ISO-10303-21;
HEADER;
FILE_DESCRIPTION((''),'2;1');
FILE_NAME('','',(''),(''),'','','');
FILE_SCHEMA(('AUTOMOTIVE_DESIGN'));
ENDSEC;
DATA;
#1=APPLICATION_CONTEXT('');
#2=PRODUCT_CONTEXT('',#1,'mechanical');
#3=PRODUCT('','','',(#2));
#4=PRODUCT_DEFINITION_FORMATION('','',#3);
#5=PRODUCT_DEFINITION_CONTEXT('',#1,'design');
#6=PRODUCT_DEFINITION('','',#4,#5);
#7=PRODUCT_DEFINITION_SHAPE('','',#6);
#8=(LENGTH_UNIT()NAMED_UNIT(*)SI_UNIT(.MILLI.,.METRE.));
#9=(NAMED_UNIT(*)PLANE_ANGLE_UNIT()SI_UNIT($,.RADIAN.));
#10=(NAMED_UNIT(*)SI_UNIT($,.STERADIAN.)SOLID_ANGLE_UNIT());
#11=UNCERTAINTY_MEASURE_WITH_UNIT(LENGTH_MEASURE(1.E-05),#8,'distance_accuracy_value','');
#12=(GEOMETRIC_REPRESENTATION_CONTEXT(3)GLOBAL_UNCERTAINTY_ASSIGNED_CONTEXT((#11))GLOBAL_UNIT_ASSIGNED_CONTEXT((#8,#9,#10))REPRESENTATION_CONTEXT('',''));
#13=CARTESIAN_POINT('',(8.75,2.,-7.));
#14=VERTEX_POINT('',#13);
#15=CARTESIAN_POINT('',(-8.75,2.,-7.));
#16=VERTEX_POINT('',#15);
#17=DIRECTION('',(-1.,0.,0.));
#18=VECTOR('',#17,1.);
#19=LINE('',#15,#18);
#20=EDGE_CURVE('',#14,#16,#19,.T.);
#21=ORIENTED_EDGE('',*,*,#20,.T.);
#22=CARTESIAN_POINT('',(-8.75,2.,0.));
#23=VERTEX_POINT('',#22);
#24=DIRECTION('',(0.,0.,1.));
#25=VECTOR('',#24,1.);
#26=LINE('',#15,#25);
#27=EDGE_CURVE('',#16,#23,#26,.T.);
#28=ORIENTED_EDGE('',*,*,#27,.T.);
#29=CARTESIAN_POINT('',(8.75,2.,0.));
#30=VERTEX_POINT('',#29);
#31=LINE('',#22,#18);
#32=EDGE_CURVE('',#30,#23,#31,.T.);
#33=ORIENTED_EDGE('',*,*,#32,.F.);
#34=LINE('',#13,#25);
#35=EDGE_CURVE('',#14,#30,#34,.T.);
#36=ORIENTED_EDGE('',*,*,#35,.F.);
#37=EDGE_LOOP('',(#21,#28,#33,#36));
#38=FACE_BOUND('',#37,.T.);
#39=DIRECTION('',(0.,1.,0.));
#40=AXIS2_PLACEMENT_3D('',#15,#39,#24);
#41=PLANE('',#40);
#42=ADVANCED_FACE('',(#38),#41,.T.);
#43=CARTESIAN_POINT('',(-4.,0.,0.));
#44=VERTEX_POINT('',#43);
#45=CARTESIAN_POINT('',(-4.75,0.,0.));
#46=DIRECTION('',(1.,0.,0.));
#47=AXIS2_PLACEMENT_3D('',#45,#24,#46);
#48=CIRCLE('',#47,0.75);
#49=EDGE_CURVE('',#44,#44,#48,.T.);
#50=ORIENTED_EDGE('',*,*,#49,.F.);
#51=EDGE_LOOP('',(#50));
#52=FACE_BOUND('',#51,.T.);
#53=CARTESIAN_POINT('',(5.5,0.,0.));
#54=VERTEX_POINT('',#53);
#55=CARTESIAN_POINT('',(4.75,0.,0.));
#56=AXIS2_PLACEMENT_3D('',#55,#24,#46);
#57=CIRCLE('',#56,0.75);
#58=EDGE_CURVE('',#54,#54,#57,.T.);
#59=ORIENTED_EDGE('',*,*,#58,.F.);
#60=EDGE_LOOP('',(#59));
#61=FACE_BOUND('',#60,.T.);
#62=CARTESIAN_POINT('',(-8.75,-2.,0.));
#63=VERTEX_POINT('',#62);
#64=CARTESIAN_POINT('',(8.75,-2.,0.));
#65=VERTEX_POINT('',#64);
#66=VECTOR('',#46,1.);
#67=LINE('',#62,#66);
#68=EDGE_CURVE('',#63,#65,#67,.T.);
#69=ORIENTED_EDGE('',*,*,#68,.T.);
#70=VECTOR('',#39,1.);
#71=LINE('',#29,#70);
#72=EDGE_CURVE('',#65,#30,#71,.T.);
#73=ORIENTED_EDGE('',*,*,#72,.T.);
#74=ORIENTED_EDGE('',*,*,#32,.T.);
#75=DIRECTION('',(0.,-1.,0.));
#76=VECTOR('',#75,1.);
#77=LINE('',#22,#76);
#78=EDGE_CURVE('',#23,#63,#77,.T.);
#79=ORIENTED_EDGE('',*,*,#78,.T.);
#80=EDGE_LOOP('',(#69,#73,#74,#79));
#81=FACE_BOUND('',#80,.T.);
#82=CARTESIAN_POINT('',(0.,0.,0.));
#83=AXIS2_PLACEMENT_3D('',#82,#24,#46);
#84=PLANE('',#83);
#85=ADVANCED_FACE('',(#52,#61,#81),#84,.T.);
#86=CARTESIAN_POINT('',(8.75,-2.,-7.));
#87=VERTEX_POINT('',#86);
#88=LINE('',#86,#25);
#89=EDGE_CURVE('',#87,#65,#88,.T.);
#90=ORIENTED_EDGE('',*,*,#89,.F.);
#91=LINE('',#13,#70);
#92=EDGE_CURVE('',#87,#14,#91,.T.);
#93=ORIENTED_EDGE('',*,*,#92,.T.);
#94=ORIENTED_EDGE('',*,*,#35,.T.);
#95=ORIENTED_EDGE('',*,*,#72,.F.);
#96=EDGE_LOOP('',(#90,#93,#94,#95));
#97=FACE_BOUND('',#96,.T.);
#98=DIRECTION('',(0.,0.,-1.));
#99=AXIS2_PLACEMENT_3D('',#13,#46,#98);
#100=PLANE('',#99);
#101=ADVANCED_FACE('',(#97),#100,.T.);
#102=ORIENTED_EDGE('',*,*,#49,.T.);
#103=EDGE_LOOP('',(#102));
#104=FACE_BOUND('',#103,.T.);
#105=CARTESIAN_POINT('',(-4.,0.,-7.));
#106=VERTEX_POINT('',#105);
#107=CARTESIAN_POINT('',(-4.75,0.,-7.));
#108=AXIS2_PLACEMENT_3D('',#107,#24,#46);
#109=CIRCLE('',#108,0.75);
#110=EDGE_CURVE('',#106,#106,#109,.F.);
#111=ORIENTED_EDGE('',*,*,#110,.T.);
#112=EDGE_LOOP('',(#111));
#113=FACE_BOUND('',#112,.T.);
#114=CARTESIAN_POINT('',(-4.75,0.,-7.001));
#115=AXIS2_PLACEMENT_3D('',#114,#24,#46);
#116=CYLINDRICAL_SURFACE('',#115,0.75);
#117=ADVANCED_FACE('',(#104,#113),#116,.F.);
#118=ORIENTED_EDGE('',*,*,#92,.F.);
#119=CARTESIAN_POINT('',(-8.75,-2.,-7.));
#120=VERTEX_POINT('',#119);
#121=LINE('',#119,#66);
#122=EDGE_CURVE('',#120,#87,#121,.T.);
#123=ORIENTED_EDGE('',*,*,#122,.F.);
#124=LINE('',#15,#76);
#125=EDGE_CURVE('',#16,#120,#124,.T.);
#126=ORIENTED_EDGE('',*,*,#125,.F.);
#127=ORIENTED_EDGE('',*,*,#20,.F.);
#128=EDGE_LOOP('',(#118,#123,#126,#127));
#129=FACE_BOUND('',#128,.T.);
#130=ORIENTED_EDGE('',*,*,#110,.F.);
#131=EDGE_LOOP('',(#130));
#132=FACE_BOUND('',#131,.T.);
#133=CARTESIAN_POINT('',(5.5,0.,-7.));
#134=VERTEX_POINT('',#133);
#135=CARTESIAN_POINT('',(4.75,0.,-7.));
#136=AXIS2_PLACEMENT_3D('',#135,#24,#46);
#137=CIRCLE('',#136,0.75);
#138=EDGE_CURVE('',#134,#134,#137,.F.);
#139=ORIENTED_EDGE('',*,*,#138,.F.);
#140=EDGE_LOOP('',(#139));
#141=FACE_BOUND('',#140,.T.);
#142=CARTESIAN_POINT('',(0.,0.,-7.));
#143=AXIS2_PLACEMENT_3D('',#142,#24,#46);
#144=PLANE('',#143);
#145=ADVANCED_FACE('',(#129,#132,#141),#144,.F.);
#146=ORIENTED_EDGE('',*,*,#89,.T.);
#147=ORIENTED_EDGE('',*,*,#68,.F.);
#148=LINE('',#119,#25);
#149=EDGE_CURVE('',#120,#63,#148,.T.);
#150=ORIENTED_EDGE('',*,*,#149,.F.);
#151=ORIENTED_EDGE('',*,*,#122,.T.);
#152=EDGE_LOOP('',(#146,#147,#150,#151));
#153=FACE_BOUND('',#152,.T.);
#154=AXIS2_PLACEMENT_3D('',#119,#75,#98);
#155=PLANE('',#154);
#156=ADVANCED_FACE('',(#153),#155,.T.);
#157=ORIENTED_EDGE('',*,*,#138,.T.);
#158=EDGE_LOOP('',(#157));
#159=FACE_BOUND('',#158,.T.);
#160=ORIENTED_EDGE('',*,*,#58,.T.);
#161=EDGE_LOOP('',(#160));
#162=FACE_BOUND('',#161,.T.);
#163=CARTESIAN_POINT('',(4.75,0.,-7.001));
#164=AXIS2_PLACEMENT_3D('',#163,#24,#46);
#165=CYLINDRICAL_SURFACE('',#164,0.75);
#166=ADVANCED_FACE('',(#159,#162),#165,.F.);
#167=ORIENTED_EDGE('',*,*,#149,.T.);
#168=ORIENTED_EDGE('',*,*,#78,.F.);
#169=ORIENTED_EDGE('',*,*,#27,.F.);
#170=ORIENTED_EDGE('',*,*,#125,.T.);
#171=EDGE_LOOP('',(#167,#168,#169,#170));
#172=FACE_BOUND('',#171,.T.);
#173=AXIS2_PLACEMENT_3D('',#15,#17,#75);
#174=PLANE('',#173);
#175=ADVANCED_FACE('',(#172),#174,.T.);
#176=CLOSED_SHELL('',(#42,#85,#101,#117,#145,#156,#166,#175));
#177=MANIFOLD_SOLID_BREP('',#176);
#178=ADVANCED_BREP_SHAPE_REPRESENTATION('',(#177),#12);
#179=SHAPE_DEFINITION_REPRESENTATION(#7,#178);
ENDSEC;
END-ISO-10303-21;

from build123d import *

# Parameters (mm, degrees)
SKETCH1_W           = 17.5
SKETCH1_H           = 4
BOSS_EXTRUDE1_DEPTH = 7
CUT_EXTRUDE1_REACH  = 13.383
SKETCH3_R           = 0.75


with BuildPart() as part:
    # Sketch1 → Boss-Extrude1 (new body)
    with BuildSketch(Plane.XY):
        Rectangle(SKETCH1_W, SKETCH1_H)
    extrude(amount=-BOSS_EXTRUDE1_DEPTH)

    # Sketch3 → Cut-Extrude1 (cut, up to next)
    with BuildSketch(Plane.XY, mode=Mode.PRIVATE) as cut_extrude1_sk1:
        with Locations((-4.75, 0)):
            Circle(SKETCH3_R)
    cut_extrude1_tool1 = extrude(cut_extrude1_sk1.sketch, amount=-CUT_EXTRUDE1_REACH, mode=Mode.PRIVATE) & part.part
    # Sketch3 → Cut-Extrude1 (cut, up to next)
    with BuildSketch(Plane.XY, mode=Mode.PRIVATE) as cut_extrude1_sk2:
        with Locations((4.75, 0)):
            Circle(SKETCH3_R)
    cut_extrude1_tool2 = extrude(cut_extrude1_sk2.sketch, amount=-CUT_EXTRUDE1_REACH, mode=Mode.PRIVATE) & part.part
    add(cut_extrude1_tool1.solids().sort_by_distance((-4.75, 0, 0))[0], mode=Mode.SUBTRACT)
    add(cut_extrude1_tool2.solids().sort_by_distance((4.75, 0, 0))[0], mode=Mode.SUBTRACT)


solid = part.part
